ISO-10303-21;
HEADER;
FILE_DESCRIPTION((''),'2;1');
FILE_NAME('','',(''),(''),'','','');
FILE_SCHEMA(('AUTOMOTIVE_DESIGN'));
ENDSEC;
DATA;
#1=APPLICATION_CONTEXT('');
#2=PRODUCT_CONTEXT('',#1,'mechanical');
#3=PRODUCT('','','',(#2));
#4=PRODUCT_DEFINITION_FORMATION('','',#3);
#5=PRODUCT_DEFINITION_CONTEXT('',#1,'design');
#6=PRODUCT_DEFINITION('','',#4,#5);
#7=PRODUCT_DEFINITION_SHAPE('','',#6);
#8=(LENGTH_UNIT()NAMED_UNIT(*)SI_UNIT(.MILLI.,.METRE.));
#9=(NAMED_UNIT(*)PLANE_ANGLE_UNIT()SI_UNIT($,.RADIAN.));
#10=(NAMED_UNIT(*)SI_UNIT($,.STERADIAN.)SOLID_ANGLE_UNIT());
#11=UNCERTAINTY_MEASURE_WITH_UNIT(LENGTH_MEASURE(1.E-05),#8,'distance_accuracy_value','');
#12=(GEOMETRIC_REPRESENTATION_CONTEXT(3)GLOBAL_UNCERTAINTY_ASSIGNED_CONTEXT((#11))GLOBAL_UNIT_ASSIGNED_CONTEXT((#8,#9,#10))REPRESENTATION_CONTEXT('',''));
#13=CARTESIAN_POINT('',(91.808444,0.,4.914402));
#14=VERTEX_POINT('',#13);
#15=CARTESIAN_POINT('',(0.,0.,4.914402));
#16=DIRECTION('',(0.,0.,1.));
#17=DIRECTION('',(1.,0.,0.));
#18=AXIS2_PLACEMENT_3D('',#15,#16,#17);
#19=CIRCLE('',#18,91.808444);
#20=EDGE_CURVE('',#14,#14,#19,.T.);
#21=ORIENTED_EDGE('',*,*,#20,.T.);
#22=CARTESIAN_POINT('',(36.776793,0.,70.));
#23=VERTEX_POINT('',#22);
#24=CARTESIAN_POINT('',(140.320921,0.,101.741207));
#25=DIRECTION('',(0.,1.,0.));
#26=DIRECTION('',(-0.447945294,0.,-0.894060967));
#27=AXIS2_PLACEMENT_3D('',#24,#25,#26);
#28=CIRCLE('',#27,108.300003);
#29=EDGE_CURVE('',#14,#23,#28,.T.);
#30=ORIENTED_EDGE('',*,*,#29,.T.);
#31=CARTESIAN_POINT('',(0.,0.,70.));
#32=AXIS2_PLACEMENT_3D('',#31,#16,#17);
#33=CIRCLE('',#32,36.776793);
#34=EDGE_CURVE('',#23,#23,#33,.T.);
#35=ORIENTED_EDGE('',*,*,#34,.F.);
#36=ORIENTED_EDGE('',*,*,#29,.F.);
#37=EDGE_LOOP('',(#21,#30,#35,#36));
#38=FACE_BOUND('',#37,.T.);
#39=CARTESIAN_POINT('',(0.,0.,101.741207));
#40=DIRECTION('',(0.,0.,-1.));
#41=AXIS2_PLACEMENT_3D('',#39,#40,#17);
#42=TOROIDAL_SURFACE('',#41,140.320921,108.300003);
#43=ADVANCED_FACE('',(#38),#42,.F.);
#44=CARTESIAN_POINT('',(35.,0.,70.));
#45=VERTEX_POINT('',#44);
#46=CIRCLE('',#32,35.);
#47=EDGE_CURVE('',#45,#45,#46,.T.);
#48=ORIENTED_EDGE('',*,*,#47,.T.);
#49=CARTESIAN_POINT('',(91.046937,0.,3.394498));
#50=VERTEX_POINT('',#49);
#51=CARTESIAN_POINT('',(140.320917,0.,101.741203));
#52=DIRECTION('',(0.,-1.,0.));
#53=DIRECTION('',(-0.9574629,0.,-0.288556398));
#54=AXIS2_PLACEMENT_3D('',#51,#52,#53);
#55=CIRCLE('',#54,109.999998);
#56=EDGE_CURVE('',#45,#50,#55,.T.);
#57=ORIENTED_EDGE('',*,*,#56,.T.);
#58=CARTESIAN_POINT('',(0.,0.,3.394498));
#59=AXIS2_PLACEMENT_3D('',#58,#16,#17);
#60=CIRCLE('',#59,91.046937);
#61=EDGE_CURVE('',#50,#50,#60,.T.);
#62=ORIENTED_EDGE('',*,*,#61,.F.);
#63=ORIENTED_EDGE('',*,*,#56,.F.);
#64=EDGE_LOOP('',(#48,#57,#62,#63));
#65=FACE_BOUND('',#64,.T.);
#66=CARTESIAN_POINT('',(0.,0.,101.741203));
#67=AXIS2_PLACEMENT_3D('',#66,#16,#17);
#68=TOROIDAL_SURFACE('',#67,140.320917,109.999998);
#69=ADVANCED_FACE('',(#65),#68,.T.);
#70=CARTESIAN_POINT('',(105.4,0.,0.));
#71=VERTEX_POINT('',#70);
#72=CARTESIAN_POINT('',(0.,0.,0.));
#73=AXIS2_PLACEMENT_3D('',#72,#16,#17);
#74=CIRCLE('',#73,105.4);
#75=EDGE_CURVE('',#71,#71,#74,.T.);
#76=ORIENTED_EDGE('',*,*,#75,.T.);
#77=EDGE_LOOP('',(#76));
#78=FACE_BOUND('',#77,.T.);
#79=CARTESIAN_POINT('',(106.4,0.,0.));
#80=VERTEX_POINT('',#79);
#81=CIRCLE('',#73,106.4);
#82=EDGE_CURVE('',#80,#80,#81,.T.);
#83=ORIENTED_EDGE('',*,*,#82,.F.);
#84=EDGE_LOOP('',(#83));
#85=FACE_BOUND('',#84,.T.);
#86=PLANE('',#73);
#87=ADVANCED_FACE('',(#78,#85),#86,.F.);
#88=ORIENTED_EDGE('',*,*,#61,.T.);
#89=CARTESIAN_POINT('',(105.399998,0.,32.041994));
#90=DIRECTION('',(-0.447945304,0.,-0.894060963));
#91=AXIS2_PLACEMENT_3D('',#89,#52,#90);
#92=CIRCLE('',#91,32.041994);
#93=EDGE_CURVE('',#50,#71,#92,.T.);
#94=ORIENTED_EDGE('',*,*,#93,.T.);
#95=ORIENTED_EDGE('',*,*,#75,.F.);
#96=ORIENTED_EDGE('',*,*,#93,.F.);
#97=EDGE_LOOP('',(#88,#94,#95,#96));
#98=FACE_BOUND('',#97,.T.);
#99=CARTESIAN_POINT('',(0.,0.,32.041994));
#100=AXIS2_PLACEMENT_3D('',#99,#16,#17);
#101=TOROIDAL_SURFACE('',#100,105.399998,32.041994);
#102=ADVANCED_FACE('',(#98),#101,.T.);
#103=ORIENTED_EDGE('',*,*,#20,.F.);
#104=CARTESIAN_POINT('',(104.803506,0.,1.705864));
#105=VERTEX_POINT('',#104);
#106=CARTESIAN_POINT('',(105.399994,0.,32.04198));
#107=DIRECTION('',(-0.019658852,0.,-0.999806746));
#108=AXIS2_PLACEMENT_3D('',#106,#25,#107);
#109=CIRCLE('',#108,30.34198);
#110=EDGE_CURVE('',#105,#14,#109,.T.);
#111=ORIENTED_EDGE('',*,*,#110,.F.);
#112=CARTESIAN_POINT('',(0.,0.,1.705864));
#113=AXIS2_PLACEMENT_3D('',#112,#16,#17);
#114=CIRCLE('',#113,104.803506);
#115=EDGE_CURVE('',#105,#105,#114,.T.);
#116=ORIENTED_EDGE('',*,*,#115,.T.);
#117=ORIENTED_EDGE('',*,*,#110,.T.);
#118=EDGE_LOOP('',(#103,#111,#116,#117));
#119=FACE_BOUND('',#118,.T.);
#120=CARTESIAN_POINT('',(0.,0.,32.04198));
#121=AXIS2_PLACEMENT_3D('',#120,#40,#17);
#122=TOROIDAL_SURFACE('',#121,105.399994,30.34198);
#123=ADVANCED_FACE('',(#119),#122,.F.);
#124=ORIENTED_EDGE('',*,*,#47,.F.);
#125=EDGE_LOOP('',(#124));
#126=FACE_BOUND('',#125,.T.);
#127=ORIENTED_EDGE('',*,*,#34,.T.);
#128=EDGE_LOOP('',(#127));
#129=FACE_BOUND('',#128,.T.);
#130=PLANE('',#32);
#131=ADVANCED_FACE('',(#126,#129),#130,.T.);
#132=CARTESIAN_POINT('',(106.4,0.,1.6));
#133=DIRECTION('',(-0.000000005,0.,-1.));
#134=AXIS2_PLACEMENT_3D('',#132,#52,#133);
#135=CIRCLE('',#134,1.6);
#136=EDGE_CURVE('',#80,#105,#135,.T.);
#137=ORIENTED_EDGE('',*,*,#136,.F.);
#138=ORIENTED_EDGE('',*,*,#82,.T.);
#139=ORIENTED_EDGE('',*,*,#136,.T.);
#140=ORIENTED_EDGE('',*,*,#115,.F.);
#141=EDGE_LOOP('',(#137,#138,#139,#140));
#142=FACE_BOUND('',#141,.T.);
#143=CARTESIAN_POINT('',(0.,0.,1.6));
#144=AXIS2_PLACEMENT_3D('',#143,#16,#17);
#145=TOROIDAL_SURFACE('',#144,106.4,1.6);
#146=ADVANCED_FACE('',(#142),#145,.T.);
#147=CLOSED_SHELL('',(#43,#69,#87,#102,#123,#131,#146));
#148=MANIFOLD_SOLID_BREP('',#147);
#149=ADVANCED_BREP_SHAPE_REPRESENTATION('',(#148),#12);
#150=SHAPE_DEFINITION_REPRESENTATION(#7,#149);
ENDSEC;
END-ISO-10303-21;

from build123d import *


with BuildPart() as f1:
    # F0 (on Front) → F1 (revolve)
    with BuildSketch(Plane.XZ):
        with BuildLine():
            Line((105.4, 0), (106.4, 0))
            ThreePointArc((106.4, 0), (107.5682, 2.693302), (104.803506, 1.705864))
            ThreePointArc((104.803506, 1.705864), (98.126839, 2.584605), (91.808444, 4.914402))
            ThreePointArc((91.808444, 4.914402), (57.62064, 31.81586), (36.776793, 70))
            Line((36.776793, 70), (35, 70))
            ThreePointArc((35, 70), (56.154601, 30.917261), (91.046937, 3.394498))
            ThreePointArc((91.046937, 3.394498), (98.025499, 0.86017), (105.4, 0))
        make_face()
    revolve(axis=Axis((0, 0, 35), (0, 0, 1)))


solid = f1.part
